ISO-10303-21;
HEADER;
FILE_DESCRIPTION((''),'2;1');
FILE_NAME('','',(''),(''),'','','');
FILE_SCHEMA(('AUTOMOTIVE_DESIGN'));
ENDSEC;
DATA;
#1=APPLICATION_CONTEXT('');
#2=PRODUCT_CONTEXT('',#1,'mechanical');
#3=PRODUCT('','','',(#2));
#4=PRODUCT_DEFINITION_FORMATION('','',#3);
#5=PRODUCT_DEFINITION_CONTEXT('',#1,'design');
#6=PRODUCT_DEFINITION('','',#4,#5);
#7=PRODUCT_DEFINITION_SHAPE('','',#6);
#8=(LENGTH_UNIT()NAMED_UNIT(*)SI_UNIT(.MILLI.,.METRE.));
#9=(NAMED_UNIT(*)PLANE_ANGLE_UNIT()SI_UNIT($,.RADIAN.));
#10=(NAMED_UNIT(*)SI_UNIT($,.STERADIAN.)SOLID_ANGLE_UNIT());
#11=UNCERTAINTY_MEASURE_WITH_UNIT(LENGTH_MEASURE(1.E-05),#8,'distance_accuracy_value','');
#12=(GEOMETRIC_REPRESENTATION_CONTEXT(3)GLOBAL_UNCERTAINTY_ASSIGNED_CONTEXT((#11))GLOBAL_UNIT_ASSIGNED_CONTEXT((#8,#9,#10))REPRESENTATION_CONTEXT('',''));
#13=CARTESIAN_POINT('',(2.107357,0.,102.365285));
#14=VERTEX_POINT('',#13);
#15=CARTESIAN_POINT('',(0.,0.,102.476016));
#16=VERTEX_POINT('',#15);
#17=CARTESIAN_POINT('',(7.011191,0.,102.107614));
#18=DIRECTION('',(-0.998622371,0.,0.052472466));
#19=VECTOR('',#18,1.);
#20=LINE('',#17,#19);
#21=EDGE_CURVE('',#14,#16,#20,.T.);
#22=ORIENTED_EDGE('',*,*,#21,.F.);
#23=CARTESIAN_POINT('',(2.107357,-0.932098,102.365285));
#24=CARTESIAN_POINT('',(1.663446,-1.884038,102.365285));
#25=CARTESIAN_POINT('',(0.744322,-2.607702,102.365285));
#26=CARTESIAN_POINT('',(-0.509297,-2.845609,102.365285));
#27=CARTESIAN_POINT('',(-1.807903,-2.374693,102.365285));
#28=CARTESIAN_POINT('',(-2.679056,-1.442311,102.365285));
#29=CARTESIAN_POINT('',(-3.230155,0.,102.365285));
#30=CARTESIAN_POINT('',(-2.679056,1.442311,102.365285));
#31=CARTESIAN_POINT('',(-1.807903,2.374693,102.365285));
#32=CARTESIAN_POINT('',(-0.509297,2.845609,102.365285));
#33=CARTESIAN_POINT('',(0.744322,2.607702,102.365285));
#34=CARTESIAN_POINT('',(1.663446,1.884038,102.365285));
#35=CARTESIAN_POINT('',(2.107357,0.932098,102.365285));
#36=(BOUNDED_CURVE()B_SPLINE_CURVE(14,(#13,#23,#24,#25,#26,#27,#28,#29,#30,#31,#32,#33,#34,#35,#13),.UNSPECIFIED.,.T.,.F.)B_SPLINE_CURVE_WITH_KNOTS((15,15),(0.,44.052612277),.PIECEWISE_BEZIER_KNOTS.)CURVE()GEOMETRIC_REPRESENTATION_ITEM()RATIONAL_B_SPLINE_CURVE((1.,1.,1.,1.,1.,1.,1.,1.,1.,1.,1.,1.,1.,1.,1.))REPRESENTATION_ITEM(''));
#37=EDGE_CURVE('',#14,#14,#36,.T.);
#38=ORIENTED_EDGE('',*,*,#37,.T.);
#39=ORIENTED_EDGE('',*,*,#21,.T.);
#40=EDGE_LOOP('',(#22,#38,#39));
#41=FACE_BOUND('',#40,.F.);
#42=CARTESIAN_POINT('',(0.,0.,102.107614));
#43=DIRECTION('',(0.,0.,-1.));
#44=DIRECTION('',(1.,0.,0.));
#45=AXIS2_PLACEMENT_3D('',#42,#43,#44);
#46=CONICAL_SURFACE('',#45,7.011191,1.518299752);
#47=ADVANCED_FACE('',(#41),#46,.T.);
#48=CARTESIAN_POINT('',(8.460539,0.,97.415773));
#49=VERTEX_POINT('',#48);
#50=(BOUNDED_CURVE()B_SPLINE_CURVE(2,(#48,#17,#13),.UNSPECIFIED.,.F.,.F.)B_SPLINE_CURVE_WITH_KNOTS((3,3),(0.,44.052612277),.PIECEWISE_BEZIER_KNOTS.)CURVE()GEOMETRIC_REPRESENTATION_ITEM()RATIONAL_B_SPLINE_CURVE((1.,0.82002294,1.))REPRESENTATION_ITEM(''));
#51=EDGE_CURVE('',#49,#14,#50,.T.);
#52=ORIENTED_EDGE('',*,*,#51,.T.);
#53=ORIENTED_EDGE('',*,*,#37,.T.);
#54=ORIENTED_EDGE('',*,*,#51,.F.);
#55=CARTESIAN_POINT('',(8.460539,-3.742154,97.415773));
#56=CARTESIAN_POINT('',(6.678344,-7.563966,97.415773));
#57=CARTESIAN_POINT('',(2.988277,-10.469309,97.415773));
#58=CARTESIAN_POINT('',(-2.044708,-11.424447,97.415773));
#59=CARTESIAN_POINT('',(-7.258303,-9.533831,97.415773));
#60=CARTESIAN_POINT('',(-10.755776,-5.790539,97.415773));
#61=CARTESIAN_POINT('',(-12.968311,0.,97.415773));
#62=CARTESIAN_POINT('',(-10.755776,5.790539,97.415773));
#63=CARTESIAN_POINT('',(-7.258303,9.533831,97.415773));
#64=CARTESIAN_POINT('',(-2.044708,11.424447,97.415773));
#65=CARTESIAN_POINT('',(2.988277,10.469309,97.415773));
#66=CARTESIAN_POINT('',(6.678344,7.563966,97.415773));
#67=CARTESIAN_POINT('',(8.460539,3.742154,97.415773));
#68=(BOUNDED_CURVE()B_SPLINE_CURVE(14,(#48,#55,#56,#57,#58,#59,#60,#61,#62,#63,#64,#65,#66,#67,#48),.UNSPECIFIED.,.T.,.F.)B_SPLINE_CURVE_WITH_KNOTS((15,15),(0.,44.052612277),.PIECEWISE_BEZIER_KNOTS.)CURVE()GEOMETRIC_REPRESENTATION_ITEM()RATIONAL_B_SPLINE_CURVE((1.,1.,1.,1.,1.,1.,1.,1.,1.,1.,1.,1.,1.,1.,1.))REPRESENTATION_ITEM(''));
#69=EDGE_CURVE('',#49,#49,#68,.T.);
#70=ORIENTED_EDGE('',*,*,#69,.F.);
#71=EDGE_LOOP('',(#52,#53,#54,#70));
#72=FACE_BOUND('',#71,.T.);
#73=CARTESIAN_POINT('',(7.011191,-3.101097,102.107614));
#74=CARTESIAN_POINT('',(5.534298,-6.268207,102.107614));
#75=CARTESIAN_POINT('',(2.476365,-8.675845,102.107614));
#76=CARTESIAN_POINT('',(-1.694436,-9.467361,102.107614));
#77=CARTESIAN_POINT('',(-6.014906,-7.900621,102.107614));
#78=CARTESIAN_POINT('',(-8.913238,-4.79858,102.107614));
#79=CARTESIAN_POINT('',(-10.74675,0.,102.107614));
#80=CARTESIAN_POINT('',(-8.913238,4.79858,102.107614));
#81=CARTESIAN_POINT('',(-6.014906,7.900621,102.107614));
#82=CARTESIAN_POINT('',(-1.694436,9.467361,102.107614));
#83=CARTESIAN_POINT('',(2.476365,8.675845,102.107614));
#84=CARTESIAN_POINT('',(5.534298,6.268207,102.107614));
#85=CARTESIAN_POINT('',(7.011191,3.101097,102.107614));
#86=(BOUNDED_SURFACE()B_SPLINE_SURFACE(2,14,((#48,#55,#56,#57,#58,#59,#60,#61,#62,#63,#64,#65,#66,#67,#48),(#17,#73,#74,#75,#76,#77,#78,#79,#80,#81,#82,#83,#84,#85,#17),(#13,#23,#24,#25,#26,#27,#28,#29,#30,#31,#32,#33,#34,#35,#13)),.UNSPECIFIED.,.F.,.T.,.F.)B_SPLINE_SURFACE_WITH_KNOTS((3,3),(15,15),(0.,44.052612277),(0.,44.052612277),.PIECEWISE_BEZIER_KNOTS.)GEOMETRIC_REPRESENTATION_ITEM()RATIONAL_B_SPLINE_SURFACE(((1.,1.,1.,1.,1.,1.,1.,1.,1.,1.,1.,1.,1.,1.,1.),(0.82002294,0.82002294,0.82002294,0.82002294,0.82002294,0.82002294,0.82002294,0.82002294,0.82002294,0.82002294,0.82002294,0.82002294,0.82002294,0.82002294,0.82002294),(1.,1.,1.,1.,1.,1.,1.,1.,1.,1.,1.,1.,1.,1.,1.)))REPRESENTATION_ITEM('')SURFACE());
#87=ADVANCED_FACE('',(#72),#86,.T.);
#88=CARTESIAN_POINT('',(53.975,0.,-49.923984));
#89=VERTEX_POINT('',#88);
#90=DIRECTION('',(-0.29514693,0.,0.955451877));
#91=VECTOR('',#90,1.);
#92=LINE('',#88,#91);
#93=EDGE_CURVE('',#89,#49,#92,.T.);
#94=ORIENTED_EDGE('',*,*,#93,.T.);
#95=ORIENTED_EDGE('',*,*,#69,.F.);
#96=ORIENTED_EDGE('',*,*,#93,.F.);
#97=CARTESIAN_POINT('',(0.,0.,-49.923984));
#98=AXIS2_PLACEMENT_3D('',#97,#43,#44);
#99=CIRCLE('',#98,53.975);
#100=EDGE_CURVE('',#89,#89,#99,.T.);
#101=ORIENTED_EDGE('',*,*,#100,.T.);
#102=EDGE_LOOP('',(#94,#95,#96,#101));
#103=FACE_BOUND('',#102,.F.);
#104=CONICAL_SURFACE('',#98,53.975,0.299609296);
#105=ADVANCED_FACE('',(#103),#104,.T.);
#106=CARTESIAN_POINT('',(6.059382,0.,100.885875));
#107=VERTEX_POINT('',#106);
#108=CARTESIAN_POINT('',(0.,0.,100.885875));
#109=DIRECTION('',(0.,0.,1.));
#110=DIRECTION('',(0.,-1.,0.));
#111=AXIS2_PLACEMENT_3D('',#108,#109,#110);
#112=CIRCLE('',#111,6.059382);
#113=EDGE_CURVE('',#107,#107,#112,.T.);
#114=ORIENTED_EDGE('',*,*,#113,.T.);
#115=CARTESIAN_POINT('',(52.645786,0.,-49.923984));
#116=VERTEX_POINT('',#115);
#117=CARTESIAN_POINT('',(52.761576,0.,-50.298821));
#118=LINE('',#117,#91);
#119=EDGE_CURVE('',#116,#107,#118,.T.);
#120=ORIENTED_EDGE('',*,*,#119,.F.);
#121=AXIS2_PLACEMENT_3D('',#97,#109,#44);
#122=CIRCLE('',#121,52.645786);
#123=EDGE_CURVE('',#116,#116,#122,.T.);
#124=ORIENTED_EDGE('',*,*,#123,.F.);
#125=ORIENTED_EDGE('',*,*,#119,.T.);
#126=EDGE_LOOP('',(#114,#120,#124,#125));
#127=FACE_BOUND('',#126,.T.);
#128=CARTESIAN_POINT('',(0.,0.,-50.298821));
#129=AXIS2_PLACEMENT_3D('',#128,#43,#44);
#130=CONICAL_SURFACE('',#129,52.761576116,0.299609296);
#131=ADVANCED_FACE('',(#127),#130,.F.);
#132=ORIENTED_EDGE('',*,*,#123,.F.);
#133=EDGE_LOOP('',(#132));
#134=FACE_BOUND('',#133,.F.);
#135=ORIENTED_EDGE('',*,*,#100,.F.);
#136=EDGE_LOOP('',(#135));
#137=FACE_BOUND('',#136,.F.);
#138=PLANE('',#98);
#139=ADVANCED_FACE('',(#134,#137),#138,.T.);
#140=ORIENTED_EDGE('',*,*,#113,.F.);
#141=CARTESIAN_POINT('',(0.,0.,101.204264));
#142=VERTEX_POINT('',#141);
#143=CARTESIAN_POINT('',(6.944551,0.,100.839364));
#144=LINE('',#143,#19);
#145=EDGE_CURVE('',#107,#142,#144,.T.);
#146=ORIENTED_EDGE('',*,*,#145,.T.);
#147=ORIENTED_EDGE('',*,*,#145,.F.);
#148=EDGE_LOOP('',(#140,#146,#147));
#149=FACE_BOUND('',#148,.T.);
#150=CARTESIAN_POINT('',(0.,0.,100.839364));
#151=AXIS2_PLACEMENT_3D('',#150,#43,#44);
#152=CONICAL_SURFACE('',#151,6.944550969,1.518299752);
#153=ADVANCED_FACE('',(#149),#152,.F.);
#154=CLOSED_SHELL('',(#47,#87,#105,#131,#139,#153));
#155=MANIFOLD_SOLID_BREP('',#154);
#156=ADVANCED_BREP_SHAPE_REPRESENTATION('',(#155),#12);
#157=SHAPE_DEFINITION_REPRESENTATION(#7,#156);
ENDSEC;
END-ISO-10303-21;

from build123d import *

# Parameters (mm, degrees)
F2_T = -1.27
F3_R = 7.0358


with BuildPart() as f1:
    # F0 (on Front) → F1 (revolve)
    with BuildSketch(Plane.XZ):
        Polygon((0, 102.476016), (0, -49.923984), (53.975, -49.923984), (7.011191, 102.107614), align=None)
    revolve(axis=Axis((0, 0, 26.276016), (0, 0, -1)))

    # F2
    f2_openings = [f1.faces().sort_by_distance(p)[0] for p in [
        (0, 0, -49.923984),
    ]]
    offset(amount=F2_T, openings=f2_openings)

    # F3
    f3_edges = [f1.edges().sort_by_distance(p)[0] for p in [
        (-7.011191, 0, 102.107614),
    ]]
    fillet(f3_edges, radius=F3_R)


solid = f1.part
